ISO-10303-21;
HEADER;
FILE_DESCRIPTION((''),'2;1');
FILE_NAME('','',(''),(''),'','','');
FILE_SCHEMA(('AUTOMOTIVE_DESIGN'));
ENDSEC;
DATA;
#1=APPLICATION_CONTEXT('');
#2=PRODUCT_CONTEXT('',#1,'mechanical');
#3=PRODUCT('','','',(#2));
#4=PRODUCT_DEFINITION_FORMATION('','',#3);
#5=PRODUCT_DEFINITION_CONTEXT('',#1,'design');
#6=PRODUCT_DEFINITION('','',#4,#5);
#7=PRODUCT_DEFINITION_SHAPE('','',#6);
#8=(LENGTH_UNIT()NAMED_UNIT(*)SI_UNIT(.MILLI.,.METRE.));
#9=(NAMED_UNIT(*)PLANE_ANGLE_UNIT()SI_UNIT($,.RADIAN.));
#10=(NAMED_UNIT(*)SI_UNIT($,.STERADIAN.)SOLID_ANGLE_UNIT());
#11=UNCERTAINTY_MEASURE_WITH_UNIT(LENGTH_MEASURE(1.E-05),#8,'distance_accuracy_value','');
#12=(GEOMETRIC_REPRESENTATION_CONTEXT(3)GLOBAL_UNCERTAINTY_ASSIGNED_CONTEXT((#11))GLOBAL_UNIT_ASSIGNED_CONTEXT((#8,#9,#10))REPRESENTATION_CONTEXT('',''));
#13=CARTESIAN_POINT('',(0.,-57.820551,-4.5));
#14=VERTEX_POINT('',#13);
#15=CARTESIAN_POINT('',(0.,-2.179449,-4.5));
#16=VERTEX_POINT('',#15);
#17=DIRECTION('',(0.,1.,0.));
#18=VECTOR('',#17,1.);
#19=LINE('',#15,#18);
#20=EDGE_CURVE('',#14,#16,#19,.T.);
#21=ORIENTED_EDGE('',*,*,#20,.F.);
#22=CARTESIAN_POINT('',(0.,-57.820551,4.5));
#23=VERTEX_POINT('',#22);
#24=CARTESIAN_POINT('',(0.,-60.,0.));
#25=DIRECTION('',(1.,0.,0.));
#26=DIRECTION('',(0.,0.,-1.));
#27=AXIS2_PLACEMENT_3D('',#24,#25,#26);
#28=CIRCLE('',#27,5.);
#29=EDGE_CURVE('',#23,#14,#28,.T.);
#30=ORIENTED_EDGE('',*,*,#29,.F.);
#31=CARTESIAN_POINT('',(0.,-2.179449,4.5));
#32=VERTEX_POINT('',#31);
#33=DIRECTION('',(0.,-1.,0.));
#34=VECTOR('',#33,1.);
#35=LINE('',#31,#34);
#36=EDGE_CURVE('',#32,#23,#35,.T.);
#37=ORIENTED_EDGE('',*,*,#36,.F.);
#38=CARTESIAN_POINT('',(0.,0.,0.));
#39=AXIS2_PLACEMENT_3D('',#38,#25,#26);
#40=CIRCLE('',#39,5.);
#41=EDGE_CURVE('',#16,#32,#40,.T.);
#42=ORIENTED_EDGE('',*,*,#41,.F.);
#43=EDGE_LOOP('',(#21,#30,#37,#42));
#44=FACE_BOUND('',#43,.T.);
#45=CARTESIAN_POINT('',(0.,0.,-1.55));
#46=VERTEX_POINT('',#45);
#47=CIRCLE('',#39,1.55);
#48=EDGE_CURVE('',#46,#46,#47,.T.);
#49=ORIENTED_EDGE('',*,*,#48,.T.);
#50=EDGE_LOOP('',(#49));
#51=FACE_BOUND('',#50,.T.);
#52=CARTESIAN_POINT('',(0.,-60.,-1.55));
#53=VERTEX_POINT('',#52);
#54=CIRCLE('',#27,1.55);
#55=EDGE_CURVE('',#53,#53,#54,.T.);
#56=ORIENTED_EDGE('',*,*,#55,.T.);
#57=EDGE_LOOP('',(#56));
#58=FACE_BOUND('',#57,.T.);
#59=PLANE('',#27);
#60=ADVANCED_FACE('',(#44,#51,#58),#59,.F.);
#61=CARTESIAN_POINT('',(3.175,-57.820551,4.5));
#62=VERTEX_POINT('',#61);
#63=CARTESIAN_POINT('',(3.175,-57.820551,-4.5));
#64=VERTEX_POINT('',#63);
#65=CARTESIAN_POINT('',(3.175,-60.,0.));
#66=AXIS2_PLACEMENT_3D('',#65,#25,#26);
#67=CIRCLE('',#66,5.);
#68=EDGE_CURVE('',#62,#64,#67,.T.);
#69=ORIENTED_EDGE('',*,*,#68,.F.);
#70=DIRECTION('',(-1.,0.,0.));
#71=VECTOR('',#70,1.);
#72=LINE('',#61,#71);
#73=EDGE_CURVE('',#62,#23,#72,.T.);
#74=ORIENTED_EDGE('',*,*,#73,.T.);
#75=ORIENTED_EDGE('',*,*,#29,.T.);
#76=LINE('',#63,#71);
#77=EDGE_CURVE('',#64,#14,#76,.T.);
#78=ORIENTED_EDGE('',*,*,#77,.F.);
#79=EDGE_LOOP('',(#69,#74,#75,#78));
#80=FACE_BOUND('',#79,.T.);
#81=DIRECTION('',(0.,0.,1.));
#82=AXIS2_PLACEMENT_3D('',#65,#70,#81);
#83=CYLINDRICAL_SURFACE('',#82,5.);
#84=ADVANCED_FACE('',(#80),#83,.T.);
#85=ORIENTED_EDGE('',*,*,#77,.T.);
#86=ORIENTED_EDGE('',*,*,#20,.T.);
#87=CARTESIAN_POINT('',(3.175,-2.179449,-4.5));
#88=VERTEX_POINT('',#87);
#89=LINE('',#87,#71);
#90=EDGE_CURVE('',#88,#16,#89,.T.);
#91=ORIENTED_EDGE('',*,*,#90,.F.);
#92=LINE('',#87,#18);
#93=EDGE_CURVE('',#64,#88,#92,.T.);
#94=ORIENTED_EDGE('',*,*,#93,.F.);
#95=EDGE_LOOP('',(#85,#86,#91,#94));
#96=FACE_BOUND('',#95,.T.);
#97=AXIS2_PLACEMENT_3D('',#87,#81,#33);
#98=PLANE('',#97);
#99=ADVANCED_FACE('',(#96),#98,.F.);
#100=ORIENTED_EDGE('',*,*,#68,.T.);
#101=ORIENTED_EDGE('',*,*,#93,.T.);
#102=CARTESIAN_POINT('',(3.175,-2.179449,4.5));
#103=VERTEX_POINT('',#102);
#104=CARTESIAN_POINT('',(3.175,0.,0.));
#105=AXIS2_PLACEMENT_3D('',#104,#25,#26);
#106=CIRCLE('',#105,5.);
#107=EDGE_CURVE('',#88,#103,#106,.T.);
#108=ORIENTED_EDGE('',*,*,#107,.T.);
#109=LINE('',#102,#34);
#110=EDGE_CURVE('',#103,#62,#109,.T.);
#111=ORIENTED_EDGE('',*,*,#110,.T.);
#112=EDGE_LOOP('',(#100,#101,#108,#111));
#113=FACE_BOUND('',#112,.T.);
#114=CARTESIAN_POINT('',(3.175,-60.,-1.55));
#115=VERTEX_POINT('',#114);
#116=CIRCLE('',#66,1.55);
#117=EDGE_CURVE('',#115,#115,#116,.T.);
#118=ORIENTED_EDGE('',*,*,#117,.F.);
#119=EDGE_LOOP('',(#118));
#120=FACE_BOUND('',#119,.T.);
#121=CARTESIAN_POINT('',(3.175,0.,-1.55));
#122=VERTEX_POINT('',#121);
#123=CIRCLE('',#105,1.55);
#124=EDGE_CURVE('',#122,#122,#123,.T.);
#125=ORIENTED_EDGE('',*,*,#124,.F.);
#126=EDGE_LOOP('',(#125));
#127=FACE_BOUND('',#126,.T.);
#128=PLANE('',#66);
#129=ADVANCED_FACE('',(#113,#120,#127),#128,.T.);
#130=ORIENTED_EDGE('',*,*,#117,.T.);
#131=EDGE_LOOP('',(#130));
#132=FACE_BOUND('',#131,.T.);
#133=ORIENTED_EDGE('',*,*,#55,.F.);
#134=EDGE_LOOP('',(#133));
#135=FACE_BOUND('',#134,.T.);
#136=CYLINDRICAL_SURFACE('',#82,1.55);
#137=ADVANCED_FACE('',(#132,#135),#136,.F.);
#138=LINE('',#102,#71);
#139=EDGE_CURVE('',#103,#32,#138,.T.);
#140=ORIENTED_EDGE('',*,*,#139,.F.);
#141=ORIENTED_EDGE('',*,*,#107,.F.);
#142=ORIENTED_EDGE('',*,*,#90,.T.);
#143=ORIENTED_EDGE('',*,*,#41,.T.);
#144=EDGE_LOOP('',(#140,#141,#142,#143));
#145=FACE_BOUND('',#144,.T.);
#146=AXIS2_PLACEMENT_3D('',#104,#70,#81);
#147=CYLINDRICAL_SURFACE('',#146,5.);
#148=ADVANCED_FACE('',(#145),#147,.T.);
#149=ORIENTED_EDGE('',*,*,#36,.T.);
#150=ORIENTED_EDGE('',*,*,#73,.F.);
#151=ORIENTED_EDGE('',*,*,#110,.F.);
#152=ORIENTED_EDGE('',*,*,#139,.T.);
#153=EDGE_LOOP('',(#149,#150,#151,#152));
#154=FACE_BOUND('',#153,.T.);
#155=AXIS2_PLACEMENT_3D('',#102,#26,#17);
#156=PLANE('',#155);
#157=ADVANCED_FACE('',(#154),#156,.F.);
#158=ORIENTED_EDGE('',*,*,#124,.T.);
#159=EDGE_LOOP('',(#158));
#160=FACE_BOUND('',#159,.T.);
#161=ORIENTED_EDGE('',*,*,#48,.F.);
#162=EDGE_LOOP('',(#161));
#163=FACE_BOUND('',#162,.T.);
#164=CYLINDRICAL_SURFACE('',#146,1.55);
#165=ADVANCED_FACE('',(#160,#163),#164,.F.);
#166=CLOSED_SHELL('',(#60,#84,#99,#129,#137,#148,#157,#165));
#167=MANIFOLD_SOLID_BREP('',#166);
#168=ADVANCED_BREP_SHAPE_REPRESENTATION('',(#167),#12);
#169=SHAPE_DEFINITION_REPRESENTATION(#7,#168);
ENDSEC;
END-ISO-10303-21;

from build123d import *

# Parameters (mm, degrees)
SKETCH1_R           = 1.55
BOSS_EXTRUDE3_DEPTH = 3.175


with BuildPart() as part:
    # Sketch1 → Boss-Extrude3 (new body)
    with BuildSketch(Plane(origin=(0, 0, 0), x_dir=(0, 0, -1), z_dir=(1, 0, 0))):
        with BuildLine():
            Line((4.5, -2.179449472), (4.5, -57.820550528))
            ThreePointArc((4.5, -57.820550528), (0, -65), (-4.5, -57.820550528))
            Line((-4.5, -57.820550528), (-4.5, -2.179449472))
            ThreePointArc((-4.5, -2.179449472), (0, 5), (4.5, -2.179449472))
        make_face()
        Circle(SKETCH1_R, mode=Mode.SUBTRACT)
        with Locations((0, -60)):
            Circle(SKETCH1_R, mode=Mode.SUBTRACT)
    extrude(amount=BOSS_EXTRUDE3_DEPTH)


solid = part.part
